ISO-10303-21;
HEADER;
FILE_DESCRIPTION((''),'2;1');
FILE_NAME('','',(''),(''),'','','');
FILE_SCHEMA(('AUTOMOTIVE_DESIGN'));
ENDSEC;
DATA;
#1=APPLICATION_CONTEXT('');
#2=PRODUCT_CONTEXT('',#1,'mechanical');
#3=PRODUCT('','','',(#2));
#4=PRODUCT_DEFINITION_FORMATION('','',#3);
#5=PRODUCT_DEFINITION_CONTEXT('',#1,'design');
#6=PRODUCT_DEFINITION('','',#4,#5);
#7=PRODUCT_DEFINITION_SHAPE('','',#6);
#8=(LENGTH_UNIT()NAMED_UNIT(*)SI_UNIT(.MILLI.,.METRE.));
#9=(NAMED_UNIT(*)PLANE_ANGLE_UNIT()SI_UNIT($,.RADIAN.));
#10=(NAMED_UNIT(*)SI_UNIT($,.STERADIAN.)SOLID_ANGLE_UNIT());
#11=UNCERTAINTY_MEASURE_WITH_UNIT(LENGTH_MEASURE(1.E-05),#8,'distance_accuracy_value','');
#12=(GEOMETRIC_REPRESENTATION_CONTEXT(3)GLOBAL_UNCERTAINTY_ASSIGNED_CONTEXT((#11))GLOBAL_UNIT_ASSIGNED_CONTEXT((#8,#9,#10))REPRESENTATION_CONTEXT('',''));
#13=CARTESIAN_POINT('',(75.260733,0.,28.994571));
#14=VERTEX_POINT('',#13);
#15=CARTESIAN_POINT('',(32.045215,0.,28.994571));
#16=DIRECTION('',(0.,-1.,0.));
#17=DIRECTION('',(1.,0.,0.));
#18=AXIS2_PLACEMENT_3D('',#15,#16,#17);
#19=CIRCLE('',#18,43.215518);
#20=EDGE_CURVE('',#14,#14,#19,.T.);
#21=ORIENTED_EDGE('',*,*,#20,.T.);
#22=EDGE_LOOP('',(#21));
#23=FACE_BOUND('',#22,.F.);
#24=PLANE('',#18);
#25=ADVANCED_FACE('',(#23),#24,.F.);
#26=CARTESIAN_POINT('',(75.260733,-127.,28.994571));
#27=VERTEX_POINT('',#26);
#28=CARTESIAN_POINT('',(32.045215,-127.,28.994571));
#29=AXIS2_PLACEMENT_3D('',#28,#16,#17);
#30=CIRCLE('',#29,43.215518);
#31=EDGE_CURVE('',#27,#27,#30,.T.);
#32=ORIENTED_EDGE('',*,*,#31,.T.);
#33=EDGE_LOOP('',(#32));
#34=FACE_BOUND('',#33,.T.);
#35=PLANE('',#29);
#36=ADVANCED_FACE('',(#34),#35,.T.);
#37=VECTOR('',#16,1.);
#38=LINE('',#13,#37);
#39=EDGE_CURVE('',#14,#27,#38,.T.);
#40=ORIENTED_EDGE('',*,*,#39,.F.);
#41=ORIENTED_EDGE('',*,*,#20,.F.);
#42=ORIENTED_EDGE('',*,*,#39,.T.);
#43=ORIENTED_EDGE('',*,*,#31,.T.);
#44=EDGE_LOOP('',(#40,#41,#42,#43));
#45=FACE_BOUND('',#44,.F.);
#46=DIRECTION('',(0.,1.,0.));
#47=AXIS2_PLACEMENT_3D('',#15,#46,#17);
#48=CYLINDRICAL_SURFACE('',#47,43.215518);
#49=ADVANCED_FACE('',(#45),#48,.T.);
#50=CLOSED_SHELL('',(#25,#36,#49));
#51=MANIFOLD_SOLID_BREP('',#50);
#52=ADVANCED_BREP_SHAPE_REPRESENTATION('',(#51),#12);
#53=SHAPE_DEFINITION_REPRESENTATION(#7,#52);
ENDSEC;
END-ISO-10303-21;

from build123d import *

# Parameters (mm, degrees)
F0_W      = 23.876
F0_H      = 22.352
F1_DEPTH  = 31.75
F2_R      = 0.796109
F3_DEPTH  = 25.4
F5_R      = 0.835635
F6_DEPTH  = 6.35
F7_R      = 0.804369
F4_W      = 23.876
F4_H      = 22.352
F4_R      = 0.796109
F8_DEPTH  = 6.35
F9_R      = 43.215518
F10_DEPTH = 127


with BuildPart() as f1:
    # F0 (on Top) → F1 (new body)
    with BuildSketch(Plane.XY):
        with Locations((11.938, -11.176)):
            Rectangle(F0_W, F0_H)
    extrude(amount=F1_DEPTH)

    # F2 (on face) → F3 (cut)
    with BuildSketch(Plane.XY.offset(31.75)):
        with Locations((22.537371, -1.488913)):
            Circle(F2_R)
    extrude(amount=-F3_DEPTH, mode=Mode.SUBTRACT)

    # F5 (on face) → F6 (cut)
    with BuildSketch(Plane.XY.offset(31.75)):
        with Locations((1.065723, -1.193718)):
            Circle(F5_R)
    extrude(amount=-F6_DEPTH, mode=Mode.SUBTRACT)

    # F7 (on face) + F4 (on face) → F8 (cut)
    with BuildSketch(Plane.XY.offset(31.75)):
        with Locations((1.000239, -21.275662)):
            Circle(F7_R)
    with BuildSketch(Plane.XY.offset(31.75)):
        with Locations((11.938, -11.176)):
            Rectangle(F4_W, F4_H)
        with Locations((22.537371, -1.488913)):
            Circle(F4_R, mode=Mode.SUBTRACT)
    extrude(amount=-F8_DEPTH, mode=Mode.SUBTRACT)

    # F9 (on Front) → F10 (join)
    with BuildSketch(Plane.XZ):
        with Locations((32.045215, 28.994571)):
            Circle(F9_R)
    extrude(amount=F10_DEPTH)


solid = f1.part
